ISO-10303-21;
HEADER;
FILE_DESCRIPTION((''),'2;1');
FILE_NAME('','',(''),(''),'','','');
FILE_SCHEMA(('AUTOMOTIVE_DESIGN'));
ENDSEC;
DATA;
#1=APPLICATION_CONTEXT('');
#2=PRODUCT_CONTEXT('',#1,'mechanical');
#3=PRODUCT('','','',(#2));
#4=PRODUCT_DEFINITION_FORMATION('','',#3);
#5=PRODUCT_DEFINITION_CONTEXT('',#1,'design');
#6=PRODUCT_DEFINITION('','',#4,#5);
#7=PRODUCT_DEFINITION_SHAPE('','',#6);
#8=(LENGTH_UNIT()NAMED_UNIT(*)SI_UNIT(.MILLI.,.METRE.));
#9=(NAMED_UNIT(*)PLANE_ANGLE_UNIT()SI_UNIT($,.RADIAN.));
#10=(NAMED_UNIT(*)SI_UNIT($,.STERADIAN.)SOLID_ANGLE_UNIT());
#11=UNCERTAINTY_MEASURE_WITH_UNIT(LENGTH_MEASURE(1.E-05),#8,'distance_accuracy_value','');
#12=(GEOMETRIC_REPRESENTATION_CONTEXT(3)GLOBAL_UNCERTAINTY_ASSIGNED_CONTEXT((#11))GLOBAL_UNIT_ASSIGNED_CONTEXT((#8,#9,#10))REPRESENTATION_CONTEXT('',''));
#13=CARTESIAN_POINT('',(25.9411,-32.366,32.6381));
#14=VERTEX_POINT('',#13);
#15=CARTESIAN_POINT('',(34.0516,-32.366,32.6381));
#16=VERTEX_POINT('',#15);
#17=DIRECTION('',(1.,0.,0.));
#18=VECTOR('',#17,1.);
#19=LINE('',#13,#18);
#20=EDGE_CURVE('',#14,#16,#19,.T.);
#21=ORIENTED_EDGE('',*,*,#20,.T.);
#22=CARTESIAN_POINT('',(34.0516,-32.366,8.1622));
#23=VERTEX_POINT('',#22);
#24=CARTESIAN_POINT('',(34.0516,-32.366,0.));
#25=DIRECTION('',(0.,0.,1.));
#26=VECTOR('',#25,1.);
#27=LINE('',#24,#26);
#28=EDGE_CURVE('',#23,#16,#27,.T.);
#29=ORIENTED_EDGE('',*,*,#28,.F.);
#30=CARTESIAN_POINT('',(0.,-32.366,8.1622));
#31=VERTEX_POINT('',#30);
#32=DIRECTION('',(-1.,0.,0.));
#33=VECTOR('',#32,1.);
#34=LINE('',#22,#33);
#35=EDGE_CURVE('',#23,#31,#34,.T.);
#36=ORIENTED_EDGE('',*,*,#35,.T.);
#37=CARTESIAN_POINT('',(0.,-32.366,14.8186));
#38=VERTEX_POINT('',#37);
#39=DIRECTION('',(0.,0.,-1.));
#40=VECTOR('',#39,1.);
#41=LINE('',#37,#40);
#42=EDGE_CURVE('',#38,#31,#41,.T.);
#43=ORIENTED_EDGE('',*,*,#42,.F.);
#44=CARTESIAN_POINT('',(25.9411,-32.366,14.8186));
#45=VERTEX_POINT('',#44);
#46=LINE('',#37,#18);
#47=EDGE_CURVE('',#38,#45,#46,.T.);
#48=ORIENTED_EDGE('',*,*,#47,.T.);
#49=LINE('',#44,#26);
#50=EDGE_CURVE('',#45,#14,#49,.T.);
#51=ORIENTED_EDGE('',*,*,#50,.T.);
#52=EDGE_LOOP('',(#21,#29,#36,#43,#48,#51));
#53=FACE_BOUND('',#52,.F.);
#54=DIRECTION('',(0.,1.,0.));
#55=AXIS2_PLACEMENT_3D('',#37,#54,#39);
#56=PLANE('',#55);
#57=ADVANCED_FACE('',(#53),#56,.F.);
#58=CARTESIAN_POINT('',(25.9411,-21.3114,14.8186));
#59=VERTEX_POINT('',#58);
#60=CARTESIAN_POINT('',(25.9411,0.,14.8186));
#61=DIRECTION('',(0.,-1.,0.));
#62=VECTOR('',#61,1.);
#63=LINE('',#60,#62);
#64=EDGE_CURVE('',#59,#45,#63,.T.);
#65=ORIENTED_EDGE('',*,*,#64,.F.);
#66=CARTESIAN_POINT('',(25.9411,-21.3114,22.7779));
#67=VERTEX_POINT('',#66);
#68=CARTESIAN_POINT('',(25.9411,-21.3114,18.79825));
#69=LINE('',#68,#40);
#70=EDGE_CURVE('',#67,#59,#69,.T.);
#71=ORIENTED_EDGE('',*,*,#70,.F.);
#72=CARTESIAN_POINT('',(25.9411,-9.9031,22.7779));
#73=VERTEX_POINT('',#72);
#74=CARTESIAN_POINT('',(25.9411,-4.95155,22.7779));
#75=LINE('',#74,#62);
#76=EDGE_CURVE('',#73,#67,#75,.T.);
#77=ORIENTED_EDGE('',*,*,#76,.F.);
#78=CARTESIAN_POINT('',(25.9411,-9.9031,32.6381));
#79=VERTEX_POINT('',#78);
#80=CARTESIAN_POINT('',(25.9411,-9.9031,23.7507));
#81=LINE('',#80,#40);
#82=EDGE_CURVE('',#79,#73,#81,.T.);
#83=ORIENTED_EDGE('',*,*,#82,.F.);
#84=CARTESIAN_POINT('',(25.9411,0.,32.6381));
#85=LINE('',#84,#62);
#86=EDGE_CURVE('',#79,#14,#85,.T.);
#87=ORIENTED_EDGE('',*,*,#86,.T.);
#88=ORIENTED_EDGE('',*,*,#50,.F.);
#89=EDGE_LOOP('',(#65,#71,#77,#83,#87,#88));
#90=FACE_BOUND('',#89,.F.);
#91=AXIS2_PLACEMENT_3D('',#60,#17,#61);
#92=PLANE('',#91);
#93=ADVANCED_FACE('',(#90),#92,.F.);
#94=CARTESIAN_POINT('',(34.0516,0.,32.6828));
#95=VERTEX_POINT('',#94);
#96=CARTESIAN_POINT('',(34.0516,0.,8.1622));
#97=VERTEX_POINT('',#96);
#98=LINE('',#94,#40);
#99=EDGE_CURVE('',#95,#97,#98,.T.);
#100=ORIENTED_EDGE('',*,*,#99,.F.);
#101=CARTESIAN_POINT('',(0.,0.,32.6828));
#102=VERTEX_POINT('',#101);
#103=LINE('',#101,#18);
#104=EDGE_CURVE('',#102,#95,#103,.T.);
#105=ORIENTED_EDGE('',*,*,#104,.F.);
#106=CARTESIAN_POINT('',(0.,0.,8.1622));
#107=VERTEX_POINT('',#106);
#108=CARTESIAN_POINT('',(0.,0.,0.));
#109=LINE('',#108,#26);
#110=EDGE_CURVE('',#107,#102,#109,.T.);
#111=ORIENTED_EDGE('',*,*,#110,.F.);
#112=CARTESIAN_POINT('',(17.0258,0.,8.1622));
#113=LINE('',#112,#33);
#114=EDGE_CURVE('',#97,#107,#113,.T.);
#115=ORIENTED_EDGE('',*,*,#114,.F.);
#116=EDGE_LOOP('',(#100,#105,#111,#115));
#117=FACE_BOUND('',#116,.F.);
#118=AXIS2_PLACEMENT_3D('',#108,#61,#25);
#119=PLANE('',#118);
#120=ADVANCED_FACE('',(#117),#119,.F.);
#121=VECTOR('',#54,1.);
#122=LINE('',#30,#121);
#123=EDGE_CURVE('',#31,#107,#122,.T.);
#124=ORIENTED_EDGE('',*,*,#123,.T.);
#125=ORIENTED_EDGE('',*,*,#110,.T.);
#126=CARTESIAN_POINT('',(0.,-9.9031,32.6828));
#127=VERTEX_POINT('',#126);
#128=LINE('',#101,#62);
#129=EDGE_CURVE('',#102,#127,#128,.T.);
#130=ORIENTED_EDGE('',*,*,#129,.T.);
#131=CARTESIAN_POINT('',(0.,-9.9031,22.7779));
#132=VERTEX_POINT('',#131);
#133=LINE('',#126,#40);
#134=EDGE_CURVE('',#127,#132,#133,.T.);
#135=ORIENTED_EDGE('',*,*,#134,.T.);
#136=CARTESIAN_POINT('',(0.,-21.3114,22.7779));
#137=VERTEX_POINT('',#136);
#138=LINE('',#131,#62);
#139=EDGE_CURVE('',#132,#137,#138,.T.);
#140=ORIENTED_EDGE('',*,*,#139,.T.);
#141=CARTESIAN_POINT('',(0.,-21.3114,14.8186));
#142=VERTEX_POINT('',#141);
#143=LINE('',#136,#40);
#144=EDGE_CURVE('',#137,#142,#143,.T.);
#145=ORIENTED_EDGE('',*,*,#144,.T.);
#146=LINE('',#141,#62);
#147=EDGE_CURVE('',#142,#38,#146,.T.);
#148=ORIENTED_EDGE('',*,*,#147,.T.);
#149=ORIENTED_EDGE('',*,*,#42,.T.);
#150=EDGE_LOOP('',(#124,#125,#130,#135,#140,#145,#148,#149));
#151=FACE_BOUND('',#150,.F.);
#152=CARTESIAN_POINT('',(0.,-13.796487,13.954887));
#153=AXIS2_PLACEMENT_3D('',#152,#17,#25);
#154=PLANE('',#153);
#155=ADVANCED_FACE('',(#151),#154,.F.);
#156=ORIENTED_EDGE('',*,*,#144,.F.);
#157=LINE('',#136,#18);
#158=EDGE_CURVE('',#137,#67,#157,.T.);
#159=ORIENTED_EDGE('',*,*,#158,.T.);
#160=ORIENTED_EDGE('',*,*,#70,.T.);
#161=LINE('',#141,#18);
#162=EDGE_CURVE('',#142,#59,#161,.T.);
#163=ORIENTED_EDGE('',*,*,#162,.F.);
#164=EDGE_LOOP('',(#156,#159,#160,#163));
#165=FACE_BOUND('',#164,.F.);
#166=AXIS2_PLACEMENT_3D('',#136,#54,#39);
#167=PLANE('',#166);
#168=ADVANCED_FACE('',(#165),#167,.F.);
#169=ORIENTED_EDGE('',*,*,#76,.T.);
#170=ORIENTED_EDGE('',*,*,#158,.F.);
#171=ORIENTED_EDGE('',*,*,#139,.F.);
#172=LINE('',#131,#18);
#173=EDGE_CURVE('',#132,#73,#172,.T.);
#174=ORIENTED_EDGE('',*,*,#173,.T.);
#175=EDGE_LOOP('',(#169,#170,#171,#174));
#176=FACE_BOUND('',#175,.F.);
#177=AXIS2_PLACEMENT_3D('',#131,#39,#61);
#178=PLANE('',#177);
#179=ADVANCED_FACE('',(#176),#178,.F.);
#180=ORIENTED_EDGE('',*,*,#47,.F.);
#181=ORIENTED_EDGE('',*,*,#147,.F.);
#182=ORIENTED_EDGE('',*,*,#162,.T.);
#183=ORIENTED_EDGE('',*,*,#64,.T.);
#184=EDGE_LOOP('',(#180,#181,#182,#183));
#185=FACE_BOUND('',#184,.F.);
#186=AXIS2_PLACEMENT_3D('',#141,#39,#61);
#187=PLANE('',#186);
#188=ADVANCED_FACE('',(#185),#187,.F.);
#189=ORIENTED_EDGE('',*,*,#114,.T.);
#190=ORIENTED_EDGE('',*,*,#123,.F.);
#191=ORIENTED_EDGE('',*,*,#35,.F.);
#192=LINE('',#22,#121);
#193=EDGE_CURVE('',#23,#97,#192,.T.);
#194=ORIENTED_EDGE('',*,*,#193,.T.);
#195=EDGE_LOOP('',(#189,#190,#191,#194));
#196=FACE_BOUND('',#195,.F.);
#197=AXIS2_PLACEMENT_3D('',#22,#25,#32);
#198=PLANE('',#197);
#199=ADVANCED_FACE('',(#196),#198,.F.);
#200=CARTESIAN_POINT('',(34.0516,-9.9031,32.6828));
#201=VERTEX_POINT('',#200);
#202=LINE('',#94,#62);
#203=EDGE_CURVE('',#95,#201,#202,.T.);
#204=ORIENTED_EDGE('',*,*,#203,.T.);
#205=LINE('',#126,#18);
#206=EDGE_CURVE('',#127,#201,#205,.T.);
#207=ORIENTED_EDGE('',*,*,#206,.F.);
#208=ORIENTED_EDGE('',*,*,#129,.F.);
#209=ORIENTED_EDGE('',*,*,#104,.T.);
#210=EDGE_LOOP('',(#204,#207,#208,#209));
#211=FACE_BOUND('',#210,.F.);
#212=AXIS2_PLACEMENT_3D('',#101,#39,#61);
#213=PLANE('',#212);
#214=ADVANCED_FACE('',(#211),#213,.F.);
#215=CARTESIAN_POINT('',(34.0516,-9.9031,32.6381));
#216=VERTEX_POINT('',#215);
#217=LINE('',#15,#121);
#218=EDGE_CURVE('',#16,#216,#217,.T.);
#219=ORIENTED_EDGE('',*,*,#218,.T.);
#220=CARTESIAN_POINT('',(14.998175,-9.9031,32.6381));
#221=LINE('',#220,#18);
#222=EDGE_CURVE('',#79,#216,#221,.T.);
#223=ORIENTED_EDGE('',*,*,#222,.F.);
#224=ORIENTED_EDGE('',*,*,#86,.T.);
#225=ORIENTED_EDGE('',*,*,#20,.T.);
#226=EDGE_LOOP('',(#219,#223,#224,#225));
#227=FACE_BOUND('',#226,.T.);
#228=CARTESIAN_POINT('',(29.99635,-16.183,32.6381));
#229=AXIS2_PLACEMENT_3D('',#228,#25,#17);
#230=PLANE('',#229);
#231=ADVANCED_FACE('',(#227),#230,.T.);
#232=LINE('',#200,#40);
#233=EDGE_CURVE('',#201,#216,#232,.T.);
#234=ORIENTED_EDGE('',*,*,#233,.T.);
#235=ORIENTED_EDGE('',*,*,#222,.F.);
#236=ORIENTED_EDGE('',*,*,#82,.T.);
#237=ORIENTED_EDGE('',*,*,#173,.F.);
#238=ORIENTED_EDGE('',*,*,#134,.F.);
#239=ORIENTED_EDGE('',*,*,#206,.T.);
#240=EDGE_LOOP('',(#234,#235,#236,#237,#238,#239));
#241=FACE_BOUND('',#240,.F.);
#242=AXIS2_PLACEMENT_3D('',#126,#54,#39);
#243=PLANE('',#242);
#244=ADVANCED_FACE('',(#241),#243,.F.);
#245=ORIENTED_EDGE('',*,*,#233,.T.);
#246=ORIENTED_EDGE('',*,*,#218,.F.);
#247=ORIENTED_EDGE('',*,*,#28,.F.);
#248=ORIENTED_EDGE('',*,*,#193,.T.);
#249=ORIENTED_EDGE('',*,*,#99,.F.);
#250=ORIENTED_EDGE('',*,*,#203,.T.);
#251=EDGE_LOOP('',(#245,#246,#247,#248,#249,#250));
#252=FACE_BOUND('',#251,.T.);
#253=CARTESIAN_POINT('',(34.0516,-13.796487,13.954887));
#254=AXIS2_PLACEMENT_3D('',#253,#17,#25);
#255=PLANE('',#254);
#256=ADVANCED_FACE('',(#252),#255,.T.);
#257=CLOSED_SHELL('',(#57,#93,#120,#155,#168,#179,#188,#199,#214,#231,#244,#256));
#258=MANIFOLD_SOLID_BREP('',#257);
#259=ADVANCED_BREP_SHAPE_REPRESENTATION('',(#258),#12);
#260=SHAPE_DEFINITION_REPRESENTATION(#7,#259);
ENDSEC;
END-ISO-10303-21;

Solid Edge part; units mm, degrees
sketch "Sketch1" plane through (0, 0, 0) normal (-1, 0, 0) x (0, -1, 0)
  line L0 (9.9031, 22.7779) -> (21.3114, 22.7779)
  line L1 (21.3114, 22.7779) -> (21.3114, 14.8186)
  line L2 (21.3114, 14.8186) -> (32.366, 14.8186)
  line L3 (32.366, 14.8186) -> (32.366, 0)
  line L4 (32.366, 0) -> (0, 0)
  line L5 (0, 0) -> (0, 32.6828)
  line L6 (0, 32.6828) -> (9.9031, 32.6828)
  line L7 (9.9031, 32.6828) -> (9.9031, 22.7779)
extrude "Protrusion1" add sketch "Sketch1" against normal blind 34.0516
sketch "Sketch2" plane through (17.0258, -26.8387, 14.8186) normal (0, 0, 1) x (0, -1, 0)
  line L0 (5.5273, 8.9153) -> (5.5273, 17.0258)
  line L1 (5.5273, 17.0258) -> (-26.8387, 17.0258)
  line L2 (-26.8387, 17.0258) -> (-26.8387, 8.9153)
  line L3 (-26.8387, 8.9153) -> (5.5273, 8.9153)
extrude "ExtrudedProtrusion_2" add sketch "Sketch2" along normal blind 17.8195
sketch "Sketch3" plane through (17.0258, -32.366, 16.319) normal (0, -1, 0) x (1, 0, 0)
  line L0 (17.0258, -8.1568) -> (-17.0258, -8.1568)
  line L1 (-17.0258, -8.1568) -> (-17.0258, -16.319)
  line L2 (-17.0258, -16.319) -> (17.0258, -16.319)
  line L3 (17.0258, -16.319) -> (17.0258, -8.1568)
extrude "ExtrudedCutout_1" cut sketch "Sketch3" against normal blind 75.3715
